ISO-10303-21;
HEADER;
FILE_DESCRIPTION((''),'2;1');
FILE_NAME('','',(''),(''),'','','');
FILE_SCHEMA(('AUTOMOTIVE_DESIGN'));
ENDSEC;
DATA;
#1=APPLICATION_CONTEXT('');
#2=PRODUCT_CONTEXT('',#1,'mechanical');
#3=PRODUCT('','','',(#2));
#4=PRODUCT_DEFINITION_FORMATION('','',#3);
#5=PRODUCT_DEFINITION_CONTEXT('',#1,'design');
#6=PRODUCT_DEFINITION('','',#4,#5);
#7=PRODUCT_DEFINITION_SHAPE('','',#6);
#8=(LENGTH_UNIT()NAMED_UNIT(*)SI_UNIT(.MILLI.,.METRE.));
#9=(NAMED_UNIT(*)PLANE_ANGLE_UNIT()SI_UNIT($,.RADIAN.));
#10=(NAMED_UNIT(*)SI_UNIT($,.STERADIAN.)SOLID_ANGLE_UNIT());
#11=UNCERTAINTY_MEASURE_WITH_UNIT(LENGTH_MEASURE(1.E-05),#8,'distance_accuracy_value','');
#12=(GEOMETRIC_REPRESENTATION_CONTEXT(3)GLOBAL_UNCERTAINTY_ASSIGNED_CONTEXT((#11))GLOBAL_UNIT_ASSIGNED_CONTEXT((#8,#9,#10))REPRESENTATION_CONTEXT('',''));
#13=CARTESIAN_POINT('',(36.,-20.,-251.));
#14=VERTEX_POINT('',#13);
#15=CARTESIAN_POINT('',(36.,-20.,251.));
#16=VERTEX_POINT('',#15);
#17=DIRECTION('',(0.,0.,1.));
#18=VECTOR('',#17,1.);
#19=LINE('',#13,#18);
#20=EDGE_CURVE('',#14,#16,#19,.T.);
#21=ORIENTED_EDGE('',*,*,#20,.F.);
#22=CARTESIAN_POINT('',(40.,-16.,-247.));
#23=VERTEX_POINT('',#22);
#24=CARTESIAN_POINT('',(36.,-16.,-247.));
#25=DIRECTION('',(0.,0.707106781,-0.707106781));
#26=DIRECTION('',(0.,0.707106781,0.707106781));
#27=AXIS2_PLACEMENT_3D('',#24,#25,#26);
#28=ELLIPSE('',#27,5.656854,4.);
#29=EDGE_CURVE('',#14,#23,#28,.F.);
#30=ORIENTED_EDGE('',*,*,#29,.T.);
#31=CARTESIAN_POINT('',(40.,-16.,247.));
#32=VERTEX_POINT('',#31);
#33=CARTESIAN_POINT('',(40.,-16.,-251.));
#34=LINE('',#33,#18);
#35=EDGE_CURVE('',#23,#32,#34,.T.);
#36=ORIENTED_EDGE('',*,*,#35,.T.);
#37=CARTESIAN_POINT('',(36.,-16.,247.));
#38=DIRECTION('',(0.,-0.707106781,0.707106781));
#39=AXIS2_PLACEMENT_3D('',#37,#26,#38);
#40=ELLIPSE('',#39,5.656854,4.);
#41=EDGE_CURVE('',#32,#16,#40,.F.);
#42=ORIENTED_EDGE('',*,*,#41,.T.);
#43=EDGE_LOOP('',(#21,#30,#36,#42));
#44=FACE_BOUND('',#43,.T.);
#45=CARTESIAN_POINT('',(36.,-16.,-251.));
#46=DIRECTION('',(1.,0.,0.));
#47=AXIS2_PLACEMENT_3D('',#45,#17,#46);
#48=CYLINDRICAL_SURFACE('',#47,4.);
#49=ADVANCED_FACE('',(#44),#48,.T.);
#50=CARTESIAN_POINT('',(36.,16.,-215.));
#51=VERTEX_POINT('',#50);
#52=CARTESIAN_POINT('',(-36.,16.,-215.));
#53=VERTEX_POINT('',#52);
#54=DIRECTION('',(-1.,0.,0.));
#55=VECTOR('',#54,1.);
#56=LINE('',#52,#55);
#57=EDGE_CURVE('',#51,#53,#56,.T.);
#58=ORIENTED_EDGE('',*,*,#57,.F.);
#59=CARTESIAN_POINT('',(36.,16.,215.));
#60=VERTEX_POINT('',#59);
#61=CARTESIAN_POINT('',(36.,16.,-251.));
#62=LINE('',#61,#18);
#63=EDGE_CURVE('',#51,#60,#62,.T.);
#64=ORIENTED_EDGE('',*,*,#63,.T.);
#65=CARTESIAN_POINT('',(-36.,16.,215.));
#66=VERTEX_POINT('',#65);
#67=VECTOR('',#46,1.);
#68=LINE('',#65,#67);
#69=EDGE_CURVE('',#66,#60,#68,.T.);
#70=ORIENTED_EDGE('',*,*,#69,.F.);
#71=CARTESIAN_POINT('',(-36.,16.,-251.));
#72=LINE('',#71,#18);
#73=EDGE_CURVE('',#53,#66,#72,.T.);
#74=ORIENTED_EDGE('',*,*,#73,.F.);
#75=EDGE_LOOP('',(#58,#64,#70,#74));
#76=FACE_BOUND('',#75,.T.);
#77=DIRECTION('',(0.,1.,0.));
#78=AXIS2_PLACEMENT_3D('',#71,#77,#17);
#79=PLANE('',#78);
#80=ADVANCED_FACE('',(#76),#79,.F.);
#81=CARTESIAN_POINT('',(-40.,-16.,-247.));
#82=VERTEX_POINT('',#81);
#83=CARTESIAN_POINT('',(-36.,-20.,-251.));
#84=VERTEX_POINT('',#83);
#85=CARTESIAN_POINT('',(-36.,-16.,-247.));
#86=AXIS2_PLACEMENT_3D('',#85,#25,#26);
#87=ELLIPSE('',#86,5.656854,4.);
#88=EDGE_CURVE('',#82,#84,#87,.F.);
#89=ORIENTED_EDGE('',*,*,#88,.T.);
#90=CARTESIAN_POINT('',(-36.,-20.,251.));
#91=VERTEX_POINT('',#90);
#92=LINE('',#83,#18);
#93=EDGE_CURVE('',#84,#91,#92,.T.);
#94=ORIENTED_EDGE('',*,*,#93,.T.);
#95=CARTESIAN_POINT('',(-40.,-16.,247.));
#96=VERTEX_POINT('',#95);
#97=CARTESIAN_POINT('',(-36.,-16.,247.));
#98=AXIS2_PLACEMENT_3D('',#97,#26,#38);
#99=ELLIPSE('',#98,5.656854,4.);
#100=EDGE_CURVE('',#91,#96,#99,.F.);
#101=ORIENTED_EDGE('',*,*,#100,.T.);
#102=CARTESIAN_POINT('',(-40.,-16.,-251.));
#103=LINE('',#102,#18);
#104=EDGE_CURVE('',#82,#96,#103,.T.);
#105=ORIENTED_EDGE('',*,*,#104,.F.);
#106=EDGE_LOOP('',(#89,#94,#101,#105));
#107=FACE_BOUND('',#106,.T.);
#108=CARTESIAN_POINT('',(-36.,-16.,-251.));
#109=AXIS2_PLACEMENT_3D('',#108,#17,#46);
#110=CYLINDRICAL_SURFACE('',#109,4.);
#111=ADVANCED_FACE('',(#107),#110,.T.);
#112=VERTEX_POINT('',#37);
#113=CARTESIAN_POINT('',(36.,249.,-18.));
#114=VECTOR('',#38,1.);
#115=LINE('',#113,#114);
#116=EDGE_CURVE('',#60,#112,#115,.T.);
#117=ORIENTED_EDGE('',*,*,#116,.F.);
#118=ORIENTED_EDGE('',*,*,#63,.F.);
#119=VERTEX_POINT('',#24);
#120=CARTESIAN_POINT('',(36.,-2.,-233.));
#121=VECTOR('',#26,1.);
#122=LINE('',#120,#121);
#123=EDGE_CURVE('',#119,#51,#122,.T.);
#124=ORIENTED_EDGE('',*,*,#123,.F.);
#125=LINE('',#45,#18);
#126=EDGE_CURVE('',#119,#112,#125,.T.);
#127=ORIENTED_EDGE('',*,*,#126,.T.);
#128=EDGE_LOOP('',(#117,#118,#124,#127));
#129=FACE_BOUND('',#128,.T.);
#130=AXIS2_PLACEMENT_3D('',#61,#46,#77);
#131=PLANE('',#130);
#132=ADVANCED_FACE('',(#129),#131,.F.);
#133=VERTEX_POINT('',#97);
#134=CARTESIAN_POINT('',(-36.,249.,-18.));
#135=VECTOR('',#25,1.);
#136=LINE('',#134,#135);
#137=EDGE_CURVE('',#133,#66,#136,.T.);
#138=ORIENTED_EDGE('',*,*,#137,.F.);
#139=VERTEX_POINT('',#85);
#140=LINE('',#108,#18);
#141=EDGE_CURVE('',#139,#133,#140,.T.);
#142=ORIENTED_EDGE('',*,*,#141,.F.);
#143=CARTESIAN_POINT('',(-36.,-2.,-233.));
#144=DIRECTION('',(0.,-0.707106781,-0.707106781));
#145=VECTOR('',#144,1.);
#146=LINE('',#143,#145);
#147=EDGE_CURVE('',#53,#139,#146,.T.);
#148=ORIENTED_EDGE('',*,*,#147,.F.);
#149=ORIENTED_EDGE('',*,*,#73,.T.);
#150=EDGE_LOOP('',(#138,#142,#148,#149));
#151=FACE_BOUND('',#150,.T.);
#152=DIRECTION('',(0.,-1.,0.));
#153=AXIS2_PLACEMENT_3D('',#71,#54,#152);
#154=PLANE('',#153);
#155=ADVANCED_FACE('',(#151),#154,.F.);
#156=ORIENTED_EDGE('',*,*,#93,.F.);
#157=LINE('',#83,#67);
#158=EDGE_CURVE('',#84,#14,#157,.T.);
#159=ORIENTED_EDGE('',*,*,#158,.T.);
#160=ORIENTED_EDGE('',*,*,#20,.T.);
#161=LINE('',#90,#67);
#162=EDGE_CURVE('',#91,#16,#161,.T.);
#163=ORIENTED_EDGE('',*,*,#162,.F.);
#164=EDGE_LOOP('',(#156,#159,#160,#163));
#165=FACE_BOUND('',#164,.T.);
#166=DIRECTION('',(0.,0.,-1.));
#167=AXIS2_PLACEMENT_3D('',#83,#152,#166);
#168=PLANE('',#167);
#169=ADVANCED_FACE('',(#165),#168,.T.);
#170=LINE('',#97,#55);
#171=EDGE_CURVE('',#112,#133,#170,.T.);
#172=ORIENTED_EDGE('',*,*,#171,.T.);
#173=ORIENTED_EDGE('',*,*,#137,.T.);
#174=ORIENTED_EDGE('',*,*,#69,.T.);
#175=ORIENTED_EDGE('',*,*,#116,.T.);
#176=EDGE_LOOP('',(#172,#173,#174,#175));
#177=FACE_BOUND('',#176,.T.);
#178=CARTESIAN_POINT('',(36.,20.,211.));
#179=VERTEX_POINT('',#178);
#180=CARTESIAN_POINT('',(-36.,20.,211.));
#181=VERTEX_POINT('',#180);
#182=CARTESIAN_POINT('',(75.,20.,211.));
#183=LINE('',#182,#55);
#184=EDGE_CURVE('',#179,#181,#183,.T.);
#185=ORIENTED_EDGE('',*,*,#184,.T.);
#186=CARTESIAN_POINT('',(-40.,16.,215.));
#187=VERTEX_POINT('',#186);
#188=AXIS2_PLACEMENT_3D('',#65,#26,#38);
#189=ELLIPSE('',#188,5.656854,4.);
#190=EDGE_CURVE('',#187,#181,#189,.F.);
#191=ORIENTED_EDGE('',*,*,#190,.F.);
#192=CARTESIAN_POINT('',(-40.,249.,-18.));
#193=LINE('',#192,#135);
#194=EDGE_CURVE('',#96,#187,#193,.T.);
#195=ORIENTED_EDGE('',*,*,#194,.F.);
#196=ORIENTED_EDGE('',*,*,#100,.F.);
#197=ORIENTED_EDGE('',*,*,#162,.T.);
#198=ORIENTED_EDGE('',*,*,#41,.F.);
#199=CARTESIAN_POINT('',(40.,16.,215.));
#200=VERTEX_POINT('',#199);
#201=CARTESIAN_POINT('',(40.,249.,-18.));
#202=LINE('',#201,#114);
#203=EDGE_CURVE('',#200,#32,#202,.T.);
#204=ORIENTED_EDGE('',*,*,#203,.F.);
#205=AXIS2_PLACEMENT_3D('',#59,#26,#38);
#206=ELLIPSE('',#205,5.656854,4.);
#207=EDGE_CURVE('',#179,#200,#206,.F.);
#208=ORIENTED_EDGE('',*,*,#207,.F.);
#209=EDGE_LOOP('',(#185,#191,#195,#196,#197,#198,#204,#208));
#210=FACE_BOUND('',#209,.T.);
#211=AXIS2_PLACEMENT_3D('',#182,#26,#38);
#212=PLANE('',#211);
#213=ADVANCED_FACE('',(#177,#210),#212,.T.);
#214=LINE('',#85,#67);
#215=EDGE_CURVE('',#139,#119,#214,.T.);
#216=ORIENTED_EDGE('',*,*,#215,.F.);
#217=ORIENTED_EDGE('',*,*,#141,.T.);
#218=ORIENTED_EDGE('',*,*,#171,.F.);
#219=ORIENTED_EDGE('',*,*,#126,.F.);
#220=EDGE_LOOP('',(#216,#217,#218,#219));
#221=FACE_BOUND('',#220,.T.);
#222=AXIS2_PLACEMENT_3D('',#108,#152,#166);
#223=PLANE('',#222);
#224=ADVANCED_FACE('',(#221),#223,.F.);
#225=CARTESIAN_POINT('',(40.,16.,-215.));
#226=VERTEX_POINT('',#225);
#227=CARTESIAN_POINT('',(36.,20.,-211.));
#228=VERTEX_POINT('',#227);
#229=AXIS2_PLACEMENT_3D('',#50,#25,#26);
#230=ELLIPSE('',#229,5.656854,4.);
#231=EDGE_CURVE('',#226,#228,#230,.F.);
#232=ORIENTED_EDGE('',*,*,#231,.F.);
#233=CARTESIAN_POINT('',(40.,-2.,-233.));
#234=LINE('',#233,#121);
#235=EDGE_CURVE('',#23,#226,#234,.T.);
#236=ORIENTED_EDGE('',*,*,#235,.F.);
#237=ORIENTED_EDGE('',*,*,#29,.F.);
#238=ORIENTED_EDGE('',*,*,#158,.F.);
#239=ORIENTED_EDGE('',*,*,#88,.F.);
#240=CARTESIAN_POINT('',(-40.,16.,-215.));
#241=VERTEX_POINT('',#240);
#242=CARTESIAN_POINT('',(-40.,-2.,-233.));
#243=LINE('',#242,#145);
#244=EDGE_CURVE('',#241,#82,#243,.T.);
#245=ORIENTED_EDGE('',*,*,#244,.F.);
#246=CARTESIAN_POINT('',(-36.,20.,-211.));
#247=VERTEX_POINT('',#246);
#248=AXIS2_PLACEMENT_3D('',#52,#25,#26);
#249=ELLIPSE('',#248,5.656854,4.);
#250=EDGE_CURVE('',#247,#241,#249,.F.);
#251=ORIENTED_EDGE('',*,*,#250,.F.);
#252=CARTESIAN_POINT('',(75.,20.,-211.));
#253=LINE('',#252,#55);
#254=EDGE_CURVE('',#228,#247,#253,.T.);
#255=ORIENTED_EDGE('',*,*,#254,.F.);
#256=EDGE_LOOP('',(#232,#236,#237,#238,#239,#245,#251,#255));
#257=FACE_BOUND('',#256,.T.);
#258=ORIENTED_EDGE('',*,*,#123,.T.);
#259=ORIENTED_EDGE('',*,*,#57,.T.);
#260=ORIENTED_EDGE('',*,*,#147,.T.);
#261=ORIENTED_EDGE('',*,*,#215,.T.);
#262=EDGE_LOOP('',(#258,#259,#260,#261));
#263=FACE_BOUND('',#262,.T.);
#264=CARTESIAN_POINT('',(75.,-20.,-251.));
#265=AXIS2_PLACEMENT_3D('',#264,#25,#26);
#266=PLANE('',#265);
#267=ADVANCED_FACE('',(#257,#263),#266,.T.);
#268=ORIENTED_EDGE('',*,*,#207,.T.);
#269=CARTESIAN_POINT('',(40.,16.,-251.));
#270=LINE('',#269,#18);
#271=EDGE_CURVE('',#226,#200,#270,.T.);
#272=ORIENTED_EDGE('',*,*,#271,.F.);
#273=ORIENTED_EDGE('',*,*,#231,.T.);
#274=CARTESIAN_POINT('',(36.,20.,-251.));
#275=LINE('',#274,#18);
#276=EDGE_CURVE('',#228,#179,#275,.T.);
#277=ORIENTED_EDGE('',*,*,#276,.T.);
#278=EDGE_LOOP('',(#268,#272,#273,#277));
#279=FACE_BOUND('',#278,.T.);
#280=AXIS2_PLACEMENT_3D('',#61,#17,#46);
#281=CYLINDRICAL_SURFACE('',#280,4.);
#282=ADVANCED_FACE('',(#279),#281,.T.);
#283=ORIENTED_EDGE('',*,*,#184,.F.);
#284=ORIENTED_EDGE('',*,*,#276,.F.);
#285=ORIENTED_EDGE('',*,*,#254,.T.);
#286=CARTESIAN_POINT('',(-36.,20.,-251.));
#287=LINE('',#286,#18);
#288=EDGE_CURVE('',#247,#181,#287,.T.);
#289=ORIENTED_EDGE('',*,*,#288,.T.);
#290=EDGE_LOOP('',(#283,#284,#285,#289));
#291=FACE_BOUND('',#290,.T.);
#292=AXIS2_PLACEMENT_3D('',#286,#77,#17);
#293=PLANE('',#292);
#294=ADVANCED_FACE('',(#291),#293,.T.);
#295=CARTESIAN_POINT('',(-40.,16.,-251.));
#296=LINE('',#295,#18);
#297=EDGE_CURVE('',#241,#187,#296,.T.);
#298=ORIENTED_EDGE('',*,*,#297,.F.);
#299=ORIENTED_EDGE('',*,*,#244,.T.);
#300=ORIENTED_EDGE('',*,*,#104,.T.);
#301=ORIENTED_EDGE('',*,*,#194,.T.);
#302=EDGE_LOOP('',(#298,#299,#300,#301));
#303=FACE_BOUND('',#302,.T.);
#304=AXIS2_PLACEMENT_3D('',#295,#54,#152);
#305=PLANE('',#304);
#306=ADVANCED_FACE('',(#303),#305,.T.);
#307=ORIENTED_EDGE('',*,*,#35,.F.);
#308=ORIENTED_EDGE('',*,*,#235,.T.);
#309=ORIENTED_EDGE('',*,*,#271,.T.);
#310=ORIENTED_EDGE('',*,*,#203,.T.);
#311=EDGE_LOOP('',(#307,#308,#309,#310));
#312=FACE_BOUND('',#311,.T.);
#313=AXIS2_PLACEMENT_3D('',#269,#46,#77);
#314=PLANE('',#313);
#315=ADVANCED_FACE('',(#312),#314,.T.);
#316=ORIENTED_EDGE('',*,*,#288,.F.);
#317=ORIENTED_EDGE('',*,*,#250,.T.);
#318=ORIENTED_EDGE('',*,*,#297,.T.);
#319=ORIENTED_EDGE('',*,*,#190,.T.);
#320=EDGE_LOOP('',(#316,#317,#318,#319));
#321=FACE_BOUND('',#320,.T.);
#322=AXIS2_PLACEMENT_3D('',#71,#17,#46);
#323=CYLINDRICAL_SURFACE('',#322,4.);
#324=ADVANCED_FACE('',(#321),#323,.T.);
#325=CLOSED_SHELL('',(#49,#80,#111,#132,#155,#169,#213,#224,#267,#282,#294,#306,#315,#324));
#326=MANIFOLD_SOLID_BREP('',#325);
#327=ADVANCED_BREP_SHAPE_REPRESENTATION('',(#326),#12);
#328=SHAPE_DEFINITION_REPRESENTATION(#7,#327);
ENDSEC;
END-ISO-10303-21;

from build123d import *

# Parameters (mm, degrees)
Y_KSEKLIK_EKSTR_ZYON1_DEPTH      = 251
Y_KSEKLIK_EKSTR_ZYON1_DEPTH_BACK = 251
IZIM1_W                          = 72
IZIM1_H                          = 32
KES_EKSTR_ZYON1_DEPTH            = 75
KES_EKSTR_ZYON1_DEPTH_BACK       = 86


with BuildPart() as part:
    # Çizim1 → Yükseklik-Ekstrüzyon1 (new, two sides: drawn at the far end of the back side and taken through both)
    with BuildSketch(Plane.XY.offset(-Y_KSEKLIK_EKSTR_ZYON1_DEPTH_BACK)):
        with BuildLine():
            Line((-36, 20), (36, 20))
            ThreePointArc((36, 20), (38.828427125, 18.828427125), (40, 16))
            Line((40, 16), (40, -16))
            ThreePointArc((40, -16), (38.828427125, -18.828427125), (36, -20))
            Line((36, -20), (-36, -20))
            ThreePointArc((-36, -20), (-38.828427125, -18.828427125), (-40, -16))
            Line((-40, -16), (-40, 16))
            ThreePointArc((-40, 16), (-38.828427125, 18.828427125), (-36, 20))
        make_face()
        Rectangle(IZIM1_W, IZIM1_H, mode=Mode.SUBTRACT)
    extrude(amount=Y_KSEKLIK_EKSTR_ZYON1_DEPTH + Y_KSEKLIK_EKSTR_ZYON1_DEPTH_BACK)

    # Çizim2 → Kes-Ekstrüzyon1 (cut, two sides: drawn at the far end of the back side and taken through both)
    with BuildSketch(Plane(origin=(0, 0, 0), x_dir=(0, 0, -1), z_dir=(1, 0, 0)).offset(-KES_EKSTR_ZYON1_DEPTH_BACK)):
        Polygon((-251, 20), (-211, 20), (-251, -20), align=None)
        Polygon((251, -20), (211, 20), (251, 20), align=None)
    extrude(amount=KES_EKSTR_ZYON1_DEPTH + KES_EKSTR_ZYON1_DEPTH_BACK, mode=Mode.SUBTRACT)


solid = part.part
